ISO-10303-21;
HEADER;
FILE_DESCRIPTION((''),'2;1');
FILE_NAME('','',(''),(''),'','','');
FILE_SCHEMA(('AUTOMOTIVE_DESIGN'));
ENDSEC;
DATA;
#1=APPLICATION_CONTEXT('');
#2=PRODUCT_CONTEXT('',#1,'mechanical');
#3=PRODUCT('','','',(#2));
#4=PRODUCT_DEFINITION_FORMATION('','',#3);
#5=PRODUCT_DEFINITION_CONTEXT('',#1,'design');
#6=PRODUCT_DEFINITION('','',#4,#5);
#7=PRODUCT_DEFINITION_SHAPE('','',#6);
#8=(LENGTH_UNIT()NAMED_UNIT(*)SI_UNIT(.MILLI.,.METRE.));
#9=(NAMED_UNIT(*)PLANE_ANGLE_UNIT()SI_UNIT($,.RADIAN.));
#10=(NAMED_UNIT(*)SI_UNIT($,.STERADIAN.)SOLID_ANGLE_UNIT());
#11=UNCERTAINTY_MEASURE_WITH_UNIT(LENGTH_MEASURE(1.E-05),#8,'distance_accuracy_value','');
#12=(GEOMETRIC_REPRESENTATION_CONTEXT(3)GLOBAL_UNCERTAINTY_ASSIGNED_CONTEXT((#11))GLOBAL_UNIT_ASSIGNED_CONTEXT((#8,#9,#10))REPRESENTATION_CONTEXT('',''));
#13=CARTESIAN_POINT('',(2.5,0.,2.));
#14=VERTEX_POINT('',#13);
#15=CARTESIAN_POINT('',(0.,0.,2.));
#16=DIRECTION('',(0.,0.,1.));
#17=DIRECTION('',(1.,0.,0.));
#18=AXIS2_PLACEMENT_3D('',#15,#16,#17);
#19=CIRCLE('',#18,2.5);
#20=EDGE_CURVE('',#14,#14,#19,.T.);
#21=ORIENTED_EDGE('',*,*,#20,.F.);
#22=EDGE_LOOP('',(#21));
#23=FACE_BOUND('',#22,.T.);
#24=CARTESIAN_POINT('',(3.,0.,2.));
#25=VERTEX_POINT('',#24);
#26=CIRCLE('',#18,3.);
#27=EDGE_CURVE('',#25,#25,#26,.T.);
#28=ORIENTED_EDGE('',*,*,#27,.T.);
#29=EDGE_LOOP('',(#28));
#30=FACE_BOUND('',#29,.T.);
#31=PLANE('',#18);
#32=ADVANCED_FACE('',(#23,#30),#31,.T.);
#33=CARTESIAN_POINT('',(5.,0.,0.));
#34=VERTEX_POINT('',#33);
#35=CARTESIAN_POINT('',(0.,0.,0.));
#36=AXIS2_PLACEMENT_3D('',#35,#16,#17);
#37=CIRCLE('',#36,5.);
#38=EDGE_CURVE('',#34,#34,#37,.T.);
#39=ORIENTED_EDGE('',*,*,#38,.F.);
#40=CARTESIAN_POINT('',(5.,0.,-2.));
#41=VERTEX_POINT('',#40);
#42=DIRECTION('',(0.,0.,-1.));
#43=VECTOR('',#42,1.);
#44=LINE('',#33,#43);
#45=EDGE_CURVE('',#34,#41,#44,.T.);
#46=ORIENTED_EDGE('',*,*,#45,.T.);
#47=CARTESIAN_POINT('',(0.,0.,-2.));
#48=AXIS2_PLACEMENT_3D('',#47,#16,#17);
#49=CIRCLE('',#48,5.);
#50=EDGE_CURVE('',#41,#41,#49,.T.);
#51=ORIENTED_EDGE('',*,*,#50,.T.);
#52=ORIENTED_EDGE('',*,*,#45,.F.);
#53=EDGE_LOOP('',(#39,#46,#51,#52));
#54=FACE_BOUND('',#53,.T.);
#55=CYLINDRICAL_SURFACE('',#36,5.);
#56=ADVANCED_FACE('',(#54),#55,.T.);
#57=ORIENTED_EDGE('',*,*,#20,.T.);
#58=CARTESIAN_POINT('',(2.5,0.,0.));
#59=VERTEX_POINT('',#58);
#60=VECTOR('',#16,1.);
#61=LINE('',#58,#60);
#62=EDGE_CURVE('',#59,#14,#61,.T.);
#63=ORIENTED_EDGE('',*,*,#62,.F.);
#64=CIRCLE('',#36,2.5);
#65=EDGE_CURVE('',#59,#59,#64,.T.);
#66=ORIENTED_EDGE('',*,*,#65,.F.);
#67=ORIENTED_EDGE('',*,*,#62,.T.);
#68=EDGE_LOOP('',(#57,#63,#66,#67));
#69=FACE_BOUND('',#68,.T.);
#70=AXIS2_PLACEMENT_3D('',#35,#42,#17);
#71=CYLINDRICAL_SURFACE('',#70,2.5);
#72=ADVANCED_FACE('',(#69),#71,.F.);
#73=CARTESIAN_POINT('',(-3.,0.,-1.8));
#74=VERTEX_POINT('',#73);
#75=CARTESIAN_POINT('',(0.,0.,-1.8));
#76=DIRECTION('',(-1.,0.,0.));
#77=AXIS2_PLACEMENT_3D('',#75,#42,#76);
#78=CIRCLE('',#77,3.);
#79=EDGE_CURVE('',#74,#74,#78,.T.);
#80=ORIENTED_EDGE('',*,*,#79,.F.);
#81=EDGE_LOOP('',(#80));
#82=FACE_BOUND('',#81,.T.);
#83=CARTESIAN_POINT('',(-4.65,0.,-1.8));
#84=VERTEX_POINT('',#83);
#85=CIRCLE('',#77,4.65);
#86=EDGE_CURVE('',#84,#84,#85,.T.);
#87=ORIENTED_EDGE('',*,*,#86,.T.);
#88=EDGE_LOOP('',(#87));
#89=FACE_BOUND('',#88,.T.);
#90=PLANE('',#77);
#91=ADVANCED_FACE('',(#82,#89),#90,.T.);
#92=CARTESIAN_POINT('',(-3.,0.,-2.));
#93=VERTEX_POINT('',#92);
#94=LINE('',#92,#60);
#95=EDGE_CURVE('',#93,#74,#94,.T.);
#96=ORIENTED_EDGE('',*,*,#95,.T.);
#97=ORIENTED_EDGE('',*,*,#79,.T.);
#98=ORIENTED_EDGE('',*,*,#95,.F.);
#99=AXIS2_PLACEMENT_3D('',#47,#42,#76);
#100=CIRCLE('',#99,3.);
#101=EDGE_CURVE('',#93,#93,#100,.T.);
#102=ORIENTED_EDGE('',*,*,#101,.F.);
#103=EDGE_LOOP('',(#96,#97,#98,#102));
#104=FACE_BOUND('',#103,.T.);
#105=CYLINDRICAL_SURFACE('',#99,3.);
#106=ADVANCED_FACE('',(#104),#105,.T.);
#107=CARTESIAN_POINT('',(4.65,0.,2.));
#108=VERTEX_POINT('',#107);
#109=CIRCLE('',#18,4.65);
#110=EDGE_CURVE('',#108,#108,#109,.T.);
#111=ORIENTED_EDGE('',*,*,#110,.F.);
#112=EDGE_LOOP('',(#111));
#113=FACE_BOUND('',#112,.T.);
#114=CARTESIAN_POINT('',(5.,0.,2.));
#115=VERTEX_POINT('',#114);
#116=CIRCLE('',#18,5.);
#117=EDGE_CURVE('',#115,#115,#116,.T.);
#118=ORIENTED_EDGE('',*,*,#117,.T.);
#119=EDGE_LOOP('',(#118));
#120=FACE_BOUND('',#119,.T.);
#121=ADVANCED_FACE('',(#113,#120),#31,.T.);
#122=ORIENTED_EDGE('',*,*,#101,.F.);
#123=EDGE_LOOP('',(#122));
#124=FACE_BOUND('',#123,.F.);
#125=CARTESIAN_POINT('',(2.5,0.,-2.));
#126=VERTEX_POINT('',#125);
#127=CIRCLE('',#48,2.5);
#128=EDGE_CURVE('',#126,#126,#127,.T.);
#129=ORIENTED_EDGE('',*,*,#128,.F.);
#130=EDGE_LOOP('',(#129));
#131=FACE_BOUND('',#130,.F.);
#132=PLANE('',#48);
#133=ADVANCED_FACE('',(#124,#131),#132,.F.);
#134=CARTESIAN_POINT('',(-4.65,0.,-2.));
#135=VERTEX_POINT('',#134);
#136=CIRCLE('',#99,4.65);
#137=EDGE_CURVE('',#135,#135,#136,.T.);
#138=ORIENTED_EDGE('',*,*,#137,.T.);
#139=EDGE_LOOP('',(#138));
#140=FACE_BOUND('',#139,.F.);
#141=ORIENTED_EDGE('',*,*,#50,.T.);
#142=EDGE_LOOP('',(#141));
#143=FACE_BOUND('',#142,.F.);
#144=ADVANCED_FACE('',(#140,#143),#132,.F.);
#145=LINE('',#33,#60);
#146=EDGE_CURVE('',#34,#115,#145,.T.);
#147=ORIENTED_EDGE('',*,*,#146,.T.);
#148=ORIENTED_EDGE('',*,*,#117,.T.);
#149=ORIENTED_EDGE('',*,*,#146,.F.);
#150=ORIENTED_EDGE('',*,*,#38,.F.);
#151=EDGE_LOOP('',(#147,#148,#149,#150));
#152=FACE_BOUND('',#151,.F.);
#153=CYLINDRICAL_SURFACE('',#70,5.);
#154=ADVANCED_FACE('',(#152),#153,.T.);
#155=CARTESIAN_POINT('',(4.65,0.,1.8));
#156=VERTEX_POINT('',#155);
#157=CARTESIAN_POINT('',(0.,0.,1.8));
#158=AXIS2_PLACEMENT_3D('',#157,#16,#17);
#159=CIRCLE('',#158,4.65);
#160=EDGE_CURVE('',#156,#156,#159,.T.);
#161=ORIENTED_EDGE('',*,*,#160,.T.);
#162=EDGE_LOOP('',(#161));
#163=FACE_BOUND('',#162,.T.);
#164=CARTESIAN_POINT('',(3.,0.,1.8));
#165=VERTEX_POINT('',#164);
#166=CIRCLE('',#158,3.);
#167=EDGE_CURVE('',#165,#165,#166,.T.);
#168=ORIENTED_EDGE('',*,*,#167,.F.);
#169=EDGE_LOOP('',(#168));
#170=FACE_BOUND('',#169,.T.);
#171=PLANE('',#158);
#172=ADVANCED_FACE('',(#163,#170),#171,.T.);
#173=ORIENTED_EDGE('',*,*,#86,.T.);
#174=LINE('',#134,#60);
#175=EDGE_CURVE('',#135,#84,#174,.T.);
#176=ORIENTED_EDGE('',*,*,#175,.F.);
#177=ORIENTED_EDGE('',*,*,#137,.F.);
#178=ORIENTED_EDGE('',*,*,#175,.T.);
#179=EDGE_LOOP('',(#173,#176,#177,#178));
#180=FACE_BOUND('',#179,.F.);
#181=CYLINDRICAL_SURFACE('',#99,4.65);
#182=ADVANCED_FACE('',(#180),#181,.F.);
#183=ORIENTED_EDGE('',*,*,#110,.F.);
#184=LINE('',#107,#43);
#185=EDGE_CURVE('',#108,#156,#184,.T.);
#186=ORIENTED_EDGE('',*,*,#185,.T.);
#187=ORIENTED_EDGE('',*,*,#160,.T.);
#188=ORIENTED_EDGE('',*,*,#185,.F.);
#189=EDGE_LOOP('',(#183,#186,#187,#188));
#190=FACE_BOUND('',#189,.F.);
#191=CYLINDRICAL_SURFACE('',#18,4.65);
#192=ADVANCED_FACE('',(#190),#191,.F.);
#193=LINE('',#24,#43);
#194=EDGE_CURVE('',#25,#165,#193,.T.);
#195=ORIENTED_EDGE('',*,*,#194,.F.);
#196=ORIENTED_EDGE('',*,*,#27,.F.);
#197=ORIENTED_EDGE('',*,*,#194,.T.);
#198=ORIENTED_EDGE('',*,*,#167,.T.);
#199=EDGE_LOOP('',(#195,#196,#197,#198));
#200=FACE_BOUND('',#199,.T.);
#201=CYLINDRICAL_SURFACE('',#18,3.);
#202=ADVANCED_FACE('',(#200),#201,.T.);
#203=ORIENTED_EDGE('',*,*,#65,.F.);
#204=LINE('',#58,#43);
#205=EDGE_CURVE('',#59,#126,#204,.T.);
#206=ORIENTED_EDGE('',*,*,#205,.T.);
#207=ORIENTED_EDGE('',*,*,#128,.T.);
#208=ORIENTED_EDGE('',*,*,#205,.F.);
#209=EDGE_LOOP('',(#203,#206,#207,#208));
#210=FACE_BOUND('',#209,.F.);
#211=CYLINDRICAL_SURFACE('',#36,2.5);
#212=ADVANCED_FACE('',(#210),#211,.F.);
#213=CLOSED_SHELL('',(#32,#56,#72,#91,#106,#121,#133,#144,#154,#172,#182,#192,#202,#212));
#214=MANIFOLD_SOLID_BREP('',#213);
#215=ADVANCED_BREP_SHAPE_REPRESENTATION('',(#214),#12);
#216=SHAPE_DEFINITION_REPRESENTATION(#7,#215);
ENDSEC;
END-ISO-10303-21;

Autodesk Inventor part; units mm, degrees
ref_plane "YZ Plane" through (0, 0, 0) normal (1, 0, 0) x (0, 1, 0)
ref_plane "XZ Plane" through (0, 0, 0) normal (0, 1, 0) x (-1, 0, 0)
ref_plane "XY Plane" through (0, 0, 0) normal (0, 0, 1) x (1, 0, 0)
sketch "Эскиз1" plane through (0, 0, 0) normal (0, 0, 1) x (1, 0, 0)
  circle A0 centre (0, 0) radius 2.5
  circle A1 centre (0, 0) radius 5
  dimension "d0" = 5
  dimension "d1" = 10
extrude "Выдавливание1" add sketch "Эскиз1" along normal mid plane 4
sketch "Эскиз2" plane through (0, 0, 2) normal (0, 0, 1) x (1, 0, 0)
  circle A0 centre (0, 0) radius 4.65
  circle A1 centre (0, 0) radius 3
  dimension "d4" = 9.3
  dimension "d5" = 6
extrude "Выдавливание2" cut sketch "Эскиз2" against normal blind 0.2
sketch "Эскиз3" plane through (0, 0, -2) normal (0, 0, -1) x (-1, 0, 0)
  circle A0 centre (0, 0) radius 3
  circle A1 centre (0, 0) radius 4.65
  dimension "d8" = 6
  dimension "d9" = 9.3
extrude "Выдавливание3" cut sketch "Эскиз3" against normal blind 0.2
properties part number "mr105zz"
